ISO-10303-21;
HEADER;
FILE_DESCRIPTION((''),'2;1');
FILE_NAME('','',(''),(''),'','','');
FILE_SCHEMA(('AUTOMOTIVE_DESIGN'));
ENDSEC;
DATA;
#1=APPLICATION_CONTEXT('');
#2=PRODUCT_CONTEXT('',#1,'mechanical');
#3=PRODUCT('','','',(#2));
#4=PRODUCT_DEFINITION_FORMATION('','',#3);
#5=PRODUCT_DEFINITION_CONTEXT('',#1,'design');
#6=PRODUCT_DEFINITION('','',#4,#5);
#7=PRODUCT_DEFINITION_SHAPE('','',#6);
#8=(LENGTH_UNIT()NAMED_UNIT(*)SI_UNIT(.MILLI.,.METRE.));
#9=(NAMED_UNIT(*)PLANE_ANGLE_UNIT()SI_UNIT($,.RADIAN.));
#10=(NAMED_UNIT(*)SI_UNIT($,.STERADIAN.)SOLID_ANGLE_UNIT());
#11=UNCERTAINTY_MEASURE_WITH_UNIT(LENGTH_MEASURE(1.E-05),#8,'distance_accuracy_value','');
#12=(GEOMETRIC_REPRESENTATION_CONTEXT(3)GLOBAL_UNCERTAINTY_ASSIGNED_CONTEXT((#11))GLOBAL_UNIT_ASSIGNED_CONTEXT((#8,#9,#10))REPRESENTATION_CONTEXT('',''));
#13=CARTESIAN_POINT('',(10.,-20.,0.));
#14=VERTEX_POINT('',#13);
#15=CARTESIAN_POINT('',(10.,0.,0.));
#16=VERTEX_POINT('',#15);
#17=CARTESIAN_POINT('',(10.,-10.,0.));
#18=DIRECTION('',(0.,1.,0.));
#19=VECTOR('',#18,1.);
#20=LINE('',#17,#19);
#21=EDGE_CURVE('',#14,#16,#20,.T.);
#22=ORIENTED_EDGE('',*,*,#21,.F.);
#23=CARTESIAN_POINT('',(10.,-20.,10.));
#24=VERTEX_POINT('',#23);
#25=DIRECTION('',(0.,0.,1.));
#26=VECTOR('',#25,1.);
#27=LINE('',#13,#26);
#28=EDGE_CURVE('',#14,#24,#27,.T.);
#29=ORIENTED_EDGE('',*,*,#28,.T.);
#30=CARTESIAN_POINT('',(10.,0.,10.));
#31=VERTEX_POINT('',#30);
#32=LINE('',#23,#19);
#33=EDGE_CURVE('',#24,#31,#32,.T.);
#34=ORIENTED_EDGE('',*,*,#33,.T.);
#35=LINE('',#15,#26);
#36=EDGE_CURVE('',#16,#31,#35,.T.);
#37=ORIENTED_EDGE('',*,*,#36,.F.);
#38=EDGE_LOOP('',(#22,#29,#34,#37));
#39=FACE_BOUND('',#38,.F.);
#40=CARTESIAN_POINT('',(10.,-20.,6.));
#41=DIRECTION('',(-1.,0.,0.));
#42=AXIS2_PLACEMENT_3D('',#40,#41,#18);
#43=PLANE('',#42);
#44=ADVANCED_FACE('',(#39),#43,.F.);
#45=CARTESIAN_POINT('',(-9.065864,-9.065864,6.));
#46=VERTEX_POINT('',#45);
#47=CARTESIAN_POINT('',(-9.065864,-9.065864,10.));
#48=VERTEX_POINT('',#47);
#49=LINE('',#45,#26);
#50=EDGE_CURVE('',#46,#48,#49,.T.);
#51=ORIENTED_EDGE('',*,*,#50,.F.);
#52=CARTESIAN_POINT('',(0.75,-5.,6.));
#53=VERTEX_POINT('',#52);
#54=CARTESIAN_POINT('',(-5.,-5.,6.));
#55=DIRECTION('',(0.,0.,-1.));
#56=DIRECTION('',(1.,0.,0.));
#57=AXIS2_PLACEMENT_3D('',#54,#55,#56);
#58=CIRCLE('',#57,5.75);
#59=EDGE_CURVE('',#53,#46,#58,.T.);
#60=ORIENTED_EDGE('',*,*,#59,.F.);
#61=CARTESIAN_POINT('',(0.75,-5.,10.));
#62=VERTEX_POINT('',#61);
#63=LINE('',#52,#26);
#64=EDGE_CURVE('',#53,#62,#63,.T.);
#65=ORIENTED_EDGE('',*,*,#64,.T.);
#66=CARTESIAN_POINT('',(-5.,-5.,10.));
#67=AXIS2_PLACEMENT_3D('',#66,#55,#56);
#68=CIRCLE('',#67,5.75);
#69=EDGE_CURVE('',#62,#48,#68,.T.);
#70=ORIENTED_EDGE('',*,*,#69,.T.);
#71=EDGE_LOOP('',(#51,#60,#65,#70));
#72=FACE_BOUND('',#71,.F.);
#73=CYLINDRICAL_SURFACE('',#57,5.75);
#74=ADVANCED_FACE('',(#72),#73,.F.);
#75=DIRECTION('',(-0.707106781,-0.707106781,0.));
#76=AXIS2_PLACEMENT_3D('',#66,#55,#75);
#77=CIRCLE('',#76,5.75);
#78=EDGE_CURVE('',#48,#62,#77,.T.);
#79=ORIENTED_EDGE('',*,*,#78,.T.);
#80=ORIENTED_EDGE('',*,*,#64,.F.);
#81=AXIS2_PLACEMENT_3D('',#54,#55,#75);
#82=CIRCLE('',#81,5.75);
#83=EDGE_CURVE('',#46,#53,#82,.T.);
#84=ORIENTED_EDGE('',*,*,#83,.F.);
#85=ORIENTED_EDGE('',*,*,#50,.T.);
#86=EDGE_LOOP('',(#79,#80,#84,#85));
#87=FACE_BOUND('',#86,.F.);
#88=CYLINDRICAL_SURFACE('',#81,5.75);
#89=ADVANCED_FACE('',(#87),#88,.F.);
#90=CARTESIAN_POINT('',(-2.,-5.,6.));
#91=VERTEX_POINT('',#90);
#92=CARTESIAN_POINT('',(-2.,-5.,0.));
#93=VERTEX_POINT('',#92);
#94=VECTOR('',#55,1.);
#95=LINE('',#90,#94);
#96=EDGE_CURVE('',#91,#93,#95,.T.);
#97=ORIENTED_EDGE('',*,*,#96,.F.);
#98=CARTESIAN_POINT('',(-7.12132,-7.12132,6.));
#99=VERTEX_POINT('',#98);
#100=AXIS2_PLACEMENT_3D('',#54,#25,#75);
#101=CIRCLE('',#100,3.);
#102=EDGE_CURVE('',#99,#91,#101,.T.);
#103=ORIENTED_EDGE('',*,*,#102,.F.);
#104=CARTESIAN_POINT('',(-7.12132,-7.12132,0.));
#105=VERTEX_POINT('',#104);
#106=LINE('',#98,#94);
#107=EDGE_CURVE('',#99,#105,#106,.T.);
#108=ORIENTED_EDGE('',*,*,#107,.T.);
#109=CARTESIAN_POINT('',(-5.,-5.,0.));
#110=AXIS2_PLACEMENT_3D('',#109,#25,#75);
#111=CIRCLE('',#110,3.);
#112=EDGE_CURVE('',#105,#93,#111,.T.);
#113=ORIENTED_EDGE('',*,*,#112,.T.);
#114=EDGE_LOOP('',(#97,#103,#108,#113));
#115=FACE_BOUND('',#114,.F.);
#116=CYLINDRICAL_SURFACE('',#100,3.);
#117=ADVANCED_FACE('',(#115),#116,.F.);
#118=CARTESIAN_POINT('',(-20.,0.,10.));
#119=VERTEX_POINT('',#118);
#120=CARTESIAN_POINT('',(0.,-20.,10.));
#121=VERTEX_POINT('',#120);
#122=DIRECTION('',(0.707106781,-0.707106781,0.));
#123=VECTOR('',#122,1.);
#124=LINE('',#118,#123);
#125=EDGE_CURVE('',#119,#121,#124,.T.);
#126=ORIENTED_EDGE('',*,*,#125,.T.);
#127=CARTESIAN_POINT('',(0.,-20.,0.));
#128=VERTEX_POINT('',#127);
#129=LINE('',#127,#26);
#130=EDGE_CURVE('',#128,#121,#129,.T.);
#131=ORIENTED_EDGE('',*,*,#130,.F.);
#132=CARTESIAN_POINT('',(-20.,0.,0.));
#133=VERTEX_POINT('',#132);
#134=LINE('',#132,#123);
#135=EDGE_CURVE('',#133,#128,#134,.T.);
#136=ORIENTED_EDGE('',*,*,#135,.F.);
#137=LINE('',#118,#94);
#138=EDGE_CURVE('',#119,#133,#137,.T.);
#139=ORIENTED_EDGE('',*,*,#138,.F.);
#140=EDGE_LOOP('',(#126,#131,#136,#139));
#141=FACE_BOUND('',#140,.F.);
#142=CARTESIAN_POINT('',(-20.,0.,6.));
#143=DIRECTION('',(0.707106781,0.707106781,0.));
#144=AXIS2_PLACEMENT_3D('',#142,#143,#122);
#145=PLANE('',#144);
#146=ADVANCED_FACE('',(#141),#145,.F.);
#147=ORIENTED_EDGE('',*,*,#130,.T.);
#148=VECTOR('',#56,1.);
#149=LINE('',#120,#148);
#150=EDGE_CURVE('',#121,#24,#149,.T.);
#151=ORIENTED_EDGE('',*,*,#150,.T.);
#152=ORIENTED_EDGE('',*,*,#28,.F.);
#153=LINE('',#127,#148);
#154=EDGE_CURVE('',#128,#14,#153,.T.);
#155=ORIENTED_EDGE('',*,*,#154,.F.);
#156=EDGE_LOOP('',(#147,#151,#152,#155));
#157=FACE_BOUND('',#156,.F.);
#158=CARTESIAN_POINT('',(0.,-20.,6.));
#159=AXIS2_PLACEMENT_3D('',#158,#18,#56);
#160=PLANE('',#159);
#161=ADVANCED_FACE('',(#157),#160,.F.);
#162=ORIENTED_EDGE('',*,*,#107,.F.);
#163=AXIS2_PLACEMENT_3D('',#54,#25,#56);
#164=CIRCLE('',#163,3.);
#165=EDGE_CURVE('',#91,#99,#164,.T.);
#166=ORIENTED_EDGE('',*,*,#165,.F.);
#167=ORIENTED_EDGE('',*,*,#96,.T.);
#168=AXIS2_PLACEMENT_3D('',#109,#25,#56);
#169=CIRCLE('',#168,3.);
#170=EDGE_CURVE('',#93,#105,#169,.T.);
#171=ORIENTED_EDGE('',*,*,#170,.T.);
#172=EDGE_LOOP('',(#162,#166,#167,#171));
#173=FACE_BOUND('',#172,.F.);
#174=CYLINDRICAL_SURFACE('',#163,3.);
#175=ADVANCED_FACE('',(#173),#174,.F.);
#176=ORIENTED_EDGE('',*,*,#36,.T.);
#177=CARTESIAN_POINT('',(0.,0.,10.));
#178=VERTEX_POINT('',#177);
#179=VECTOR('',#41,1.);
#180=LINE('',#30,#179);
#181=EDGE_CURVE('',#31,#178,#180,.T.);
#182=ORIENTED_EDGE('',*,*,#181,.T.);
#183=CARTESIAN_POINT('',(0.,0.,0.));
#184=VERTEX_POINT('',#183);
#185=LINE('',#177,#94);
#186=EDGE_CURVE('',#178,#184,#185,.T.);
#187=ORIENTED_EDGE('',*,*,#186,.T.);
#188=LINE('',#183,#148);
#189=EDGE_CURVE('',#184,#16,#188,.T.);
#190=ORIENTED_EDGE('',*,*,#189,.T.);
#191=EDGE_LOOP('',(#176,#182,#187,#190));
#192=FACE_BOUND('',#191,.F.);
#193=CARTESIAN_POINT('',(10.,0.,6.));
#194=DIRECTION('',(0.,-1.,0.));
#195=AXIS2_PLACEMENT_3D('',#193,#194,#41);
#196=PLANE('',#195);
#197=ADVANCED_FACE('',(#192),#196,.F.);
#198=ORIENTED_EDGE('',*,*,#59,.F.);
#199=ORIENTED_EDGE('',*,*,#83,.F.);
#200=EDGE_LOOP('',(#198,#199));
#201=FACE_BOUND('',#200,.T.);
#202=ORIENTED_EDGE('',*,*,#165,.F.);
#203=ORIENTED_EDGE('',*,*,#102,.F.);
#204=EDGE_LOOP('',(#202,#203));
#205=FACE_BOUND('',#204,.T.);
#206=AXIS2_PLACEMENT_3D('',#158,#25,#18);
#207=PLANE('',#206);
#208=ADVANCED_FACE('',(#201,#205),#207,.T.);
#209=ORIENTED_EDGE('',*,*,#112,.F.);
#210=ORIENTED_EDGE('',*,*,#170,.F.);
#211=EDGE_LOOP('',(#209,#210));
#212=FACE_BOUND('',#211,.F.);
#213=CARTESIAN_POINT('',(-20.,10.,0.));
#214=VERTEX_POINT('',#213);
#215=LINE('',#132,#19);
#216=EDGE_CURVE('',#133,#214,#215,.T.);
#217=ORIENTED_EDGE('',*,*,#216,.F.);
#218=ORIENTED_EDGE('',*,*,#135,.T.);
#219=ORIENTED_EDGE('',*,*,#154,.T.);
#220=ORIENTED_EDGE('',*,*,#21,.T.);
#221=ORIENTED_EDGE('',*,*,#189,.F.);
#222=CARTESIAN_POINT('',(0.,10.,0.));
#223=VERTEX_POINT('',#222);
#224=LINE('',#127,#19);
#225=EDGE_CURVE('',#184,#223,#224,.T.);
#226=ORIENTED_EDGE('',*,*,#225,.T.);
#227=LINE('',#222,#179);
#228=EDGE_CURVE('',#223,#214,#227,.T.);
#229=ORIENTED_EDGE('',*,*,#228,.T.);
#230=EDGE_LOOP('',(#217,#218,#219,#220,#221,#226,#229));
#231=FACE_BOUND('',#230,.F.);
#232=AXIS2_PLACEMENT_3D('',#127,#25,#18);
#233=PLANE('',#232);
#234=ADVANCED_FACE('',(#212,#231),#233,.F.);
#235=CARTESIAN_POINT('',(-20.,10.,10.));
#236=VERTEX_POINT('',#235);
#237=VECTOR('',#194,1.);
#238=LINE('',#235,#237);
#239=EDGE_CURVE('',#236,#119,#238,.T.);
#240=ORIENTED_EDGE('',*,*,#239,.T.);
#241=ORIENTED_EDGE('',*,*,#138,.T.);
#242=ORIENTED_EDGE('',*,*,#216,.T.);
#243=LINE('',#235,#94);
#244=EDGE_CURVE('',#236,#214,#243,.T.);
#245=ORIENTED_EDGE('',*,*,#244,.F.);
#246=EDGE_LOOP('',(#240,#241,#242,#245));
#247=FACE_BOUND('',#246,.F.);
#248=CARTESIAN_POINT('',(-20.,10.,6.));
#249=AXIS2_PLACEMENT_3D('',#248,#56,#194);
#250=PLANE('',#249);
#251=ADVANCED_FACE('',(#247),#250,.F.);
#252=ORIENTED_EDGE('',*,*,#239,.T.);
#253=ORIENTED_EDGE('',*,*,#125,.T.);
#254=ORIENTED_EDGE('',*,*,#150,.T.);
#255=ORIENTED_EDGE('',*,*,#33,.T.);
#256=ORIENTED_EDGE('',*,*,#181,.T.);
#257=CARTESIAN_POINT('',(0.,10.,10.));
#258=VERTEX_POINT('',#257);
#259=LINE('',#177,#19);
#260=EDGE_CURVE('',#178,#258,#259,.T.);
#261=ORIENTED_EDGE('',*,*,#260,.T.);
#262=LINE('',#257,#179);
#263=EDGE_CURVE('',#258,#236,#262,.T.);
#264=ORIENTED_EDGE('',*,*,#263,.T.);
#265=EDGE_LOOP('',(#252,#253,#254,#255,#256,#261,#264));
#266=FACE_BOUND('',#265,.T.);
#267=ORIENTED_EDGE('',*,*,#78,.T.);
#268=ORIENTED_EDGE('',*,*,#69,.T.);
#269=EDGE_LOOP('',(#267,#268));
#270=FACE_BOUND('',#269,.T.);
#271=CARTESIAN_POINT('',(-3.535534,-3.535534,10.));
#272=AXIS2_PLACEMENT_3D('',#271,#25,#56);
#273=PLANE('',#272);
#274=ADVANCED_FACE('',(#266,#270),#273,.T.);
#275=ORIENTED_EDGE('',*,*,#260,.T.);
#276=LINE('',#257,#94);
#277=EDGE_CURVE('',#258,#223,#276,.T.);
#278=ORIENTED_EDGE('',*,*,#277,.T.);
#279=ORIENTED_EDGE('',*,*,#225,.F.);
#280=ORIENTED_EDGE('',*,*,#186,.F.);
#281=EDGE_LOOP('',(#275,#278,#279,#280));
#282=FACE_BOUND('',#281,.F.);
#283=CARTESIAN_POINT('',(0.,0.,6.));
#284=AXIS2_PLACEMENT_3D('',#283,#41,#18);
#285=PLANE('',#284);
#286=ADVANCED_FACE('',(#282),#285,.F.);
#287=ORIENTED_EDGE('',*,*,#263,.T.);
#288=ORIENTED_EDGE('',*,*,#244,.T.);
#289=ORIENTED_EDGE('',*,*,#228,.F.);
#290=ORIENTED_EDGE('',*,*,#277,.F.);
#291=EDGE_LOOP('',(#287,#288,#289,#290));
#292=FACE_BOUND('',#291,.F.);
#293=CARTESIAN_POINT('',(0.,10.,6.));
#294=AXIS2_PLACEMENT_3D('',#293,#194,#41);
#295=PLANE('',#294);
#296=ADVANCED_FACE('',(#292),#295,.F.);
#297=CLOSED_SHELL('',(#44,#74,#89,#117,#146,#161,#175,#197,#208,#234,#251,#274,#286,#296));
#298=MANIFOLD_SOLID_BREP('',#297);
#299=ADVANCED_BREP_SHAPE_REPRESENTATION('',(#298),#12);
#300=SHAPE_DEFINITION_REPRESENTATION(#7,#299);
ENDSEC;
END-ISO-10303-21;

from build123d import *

# Parameters (mm, degrees)
F1_DEPTH = 6
F3_DEPTH = 10
F4_W     = 20
F4_H     = 6
F5_DEPTH = 10
F7_DEPTH = 25
F8_DEPTH = 4


with BuildPart() as f1:
    # F0 (on Top) → F1 (new body)
    with BuildSketch(Plane.XY):
        Polygon((0, -20), (0, 0), (-20, 0), align=None)
    extrude(amount=F1_DEPTH)

    # F3 (add): a face of the model
    f3_faces = [f1.faces().sort_by_distance(p)[0] for p in [
        (-10, 0, 3),
    ]]
    extrude(f3_faces, amount=F3_DEPTH)

    # F4 (on face) → F5 (join)
    with BuildSketch(Plane.YZ):
        with Locations((-10, 3)):
            Rectangle(F4_W, F4_H)
    extrude(amount=F5_DEPTH)

    # F6 (on face) → F7 (cut)
    with BuildSketch(Plane.XY.offset(6)):
        with BuildLine():
            ThreePointArc((-2, -5), (-6.1480502971, -2.2283614025), (-7.1213203436, -7.1213203436))
            ThreePointArc((-7.1213203436, -7.1213203436), (-3.8519497029, -7.7716385975), (-2, -5))
        make_face()
    extrude(amount=-F7_DEPTH, mode=Mode.SUBTRACT)

    # F6 (on face) → F8 (join)
    with BuildSketch(Plane.XY.offset(6)):
        Polygon((-20, 0), (-10, -10), (0, -20), (10, -20), (10, 0), (0, 0), (0, 10), (-20, 10), align=None)
        with BuildLine():
            ThreePointArc((0.75, -5), (-2.7995702639, -10.3123073119), (-9.0658639918, -9.0658639918))
            ThreePointArc((-9.0658639918, -9.0658639918), (-7.2004297361, 0.3123073119), (0.75, -5))
        make_face(mode=Mode.SUBTRACT)
    extrude(amount=F8_DEPTH)


solid = f1.part
